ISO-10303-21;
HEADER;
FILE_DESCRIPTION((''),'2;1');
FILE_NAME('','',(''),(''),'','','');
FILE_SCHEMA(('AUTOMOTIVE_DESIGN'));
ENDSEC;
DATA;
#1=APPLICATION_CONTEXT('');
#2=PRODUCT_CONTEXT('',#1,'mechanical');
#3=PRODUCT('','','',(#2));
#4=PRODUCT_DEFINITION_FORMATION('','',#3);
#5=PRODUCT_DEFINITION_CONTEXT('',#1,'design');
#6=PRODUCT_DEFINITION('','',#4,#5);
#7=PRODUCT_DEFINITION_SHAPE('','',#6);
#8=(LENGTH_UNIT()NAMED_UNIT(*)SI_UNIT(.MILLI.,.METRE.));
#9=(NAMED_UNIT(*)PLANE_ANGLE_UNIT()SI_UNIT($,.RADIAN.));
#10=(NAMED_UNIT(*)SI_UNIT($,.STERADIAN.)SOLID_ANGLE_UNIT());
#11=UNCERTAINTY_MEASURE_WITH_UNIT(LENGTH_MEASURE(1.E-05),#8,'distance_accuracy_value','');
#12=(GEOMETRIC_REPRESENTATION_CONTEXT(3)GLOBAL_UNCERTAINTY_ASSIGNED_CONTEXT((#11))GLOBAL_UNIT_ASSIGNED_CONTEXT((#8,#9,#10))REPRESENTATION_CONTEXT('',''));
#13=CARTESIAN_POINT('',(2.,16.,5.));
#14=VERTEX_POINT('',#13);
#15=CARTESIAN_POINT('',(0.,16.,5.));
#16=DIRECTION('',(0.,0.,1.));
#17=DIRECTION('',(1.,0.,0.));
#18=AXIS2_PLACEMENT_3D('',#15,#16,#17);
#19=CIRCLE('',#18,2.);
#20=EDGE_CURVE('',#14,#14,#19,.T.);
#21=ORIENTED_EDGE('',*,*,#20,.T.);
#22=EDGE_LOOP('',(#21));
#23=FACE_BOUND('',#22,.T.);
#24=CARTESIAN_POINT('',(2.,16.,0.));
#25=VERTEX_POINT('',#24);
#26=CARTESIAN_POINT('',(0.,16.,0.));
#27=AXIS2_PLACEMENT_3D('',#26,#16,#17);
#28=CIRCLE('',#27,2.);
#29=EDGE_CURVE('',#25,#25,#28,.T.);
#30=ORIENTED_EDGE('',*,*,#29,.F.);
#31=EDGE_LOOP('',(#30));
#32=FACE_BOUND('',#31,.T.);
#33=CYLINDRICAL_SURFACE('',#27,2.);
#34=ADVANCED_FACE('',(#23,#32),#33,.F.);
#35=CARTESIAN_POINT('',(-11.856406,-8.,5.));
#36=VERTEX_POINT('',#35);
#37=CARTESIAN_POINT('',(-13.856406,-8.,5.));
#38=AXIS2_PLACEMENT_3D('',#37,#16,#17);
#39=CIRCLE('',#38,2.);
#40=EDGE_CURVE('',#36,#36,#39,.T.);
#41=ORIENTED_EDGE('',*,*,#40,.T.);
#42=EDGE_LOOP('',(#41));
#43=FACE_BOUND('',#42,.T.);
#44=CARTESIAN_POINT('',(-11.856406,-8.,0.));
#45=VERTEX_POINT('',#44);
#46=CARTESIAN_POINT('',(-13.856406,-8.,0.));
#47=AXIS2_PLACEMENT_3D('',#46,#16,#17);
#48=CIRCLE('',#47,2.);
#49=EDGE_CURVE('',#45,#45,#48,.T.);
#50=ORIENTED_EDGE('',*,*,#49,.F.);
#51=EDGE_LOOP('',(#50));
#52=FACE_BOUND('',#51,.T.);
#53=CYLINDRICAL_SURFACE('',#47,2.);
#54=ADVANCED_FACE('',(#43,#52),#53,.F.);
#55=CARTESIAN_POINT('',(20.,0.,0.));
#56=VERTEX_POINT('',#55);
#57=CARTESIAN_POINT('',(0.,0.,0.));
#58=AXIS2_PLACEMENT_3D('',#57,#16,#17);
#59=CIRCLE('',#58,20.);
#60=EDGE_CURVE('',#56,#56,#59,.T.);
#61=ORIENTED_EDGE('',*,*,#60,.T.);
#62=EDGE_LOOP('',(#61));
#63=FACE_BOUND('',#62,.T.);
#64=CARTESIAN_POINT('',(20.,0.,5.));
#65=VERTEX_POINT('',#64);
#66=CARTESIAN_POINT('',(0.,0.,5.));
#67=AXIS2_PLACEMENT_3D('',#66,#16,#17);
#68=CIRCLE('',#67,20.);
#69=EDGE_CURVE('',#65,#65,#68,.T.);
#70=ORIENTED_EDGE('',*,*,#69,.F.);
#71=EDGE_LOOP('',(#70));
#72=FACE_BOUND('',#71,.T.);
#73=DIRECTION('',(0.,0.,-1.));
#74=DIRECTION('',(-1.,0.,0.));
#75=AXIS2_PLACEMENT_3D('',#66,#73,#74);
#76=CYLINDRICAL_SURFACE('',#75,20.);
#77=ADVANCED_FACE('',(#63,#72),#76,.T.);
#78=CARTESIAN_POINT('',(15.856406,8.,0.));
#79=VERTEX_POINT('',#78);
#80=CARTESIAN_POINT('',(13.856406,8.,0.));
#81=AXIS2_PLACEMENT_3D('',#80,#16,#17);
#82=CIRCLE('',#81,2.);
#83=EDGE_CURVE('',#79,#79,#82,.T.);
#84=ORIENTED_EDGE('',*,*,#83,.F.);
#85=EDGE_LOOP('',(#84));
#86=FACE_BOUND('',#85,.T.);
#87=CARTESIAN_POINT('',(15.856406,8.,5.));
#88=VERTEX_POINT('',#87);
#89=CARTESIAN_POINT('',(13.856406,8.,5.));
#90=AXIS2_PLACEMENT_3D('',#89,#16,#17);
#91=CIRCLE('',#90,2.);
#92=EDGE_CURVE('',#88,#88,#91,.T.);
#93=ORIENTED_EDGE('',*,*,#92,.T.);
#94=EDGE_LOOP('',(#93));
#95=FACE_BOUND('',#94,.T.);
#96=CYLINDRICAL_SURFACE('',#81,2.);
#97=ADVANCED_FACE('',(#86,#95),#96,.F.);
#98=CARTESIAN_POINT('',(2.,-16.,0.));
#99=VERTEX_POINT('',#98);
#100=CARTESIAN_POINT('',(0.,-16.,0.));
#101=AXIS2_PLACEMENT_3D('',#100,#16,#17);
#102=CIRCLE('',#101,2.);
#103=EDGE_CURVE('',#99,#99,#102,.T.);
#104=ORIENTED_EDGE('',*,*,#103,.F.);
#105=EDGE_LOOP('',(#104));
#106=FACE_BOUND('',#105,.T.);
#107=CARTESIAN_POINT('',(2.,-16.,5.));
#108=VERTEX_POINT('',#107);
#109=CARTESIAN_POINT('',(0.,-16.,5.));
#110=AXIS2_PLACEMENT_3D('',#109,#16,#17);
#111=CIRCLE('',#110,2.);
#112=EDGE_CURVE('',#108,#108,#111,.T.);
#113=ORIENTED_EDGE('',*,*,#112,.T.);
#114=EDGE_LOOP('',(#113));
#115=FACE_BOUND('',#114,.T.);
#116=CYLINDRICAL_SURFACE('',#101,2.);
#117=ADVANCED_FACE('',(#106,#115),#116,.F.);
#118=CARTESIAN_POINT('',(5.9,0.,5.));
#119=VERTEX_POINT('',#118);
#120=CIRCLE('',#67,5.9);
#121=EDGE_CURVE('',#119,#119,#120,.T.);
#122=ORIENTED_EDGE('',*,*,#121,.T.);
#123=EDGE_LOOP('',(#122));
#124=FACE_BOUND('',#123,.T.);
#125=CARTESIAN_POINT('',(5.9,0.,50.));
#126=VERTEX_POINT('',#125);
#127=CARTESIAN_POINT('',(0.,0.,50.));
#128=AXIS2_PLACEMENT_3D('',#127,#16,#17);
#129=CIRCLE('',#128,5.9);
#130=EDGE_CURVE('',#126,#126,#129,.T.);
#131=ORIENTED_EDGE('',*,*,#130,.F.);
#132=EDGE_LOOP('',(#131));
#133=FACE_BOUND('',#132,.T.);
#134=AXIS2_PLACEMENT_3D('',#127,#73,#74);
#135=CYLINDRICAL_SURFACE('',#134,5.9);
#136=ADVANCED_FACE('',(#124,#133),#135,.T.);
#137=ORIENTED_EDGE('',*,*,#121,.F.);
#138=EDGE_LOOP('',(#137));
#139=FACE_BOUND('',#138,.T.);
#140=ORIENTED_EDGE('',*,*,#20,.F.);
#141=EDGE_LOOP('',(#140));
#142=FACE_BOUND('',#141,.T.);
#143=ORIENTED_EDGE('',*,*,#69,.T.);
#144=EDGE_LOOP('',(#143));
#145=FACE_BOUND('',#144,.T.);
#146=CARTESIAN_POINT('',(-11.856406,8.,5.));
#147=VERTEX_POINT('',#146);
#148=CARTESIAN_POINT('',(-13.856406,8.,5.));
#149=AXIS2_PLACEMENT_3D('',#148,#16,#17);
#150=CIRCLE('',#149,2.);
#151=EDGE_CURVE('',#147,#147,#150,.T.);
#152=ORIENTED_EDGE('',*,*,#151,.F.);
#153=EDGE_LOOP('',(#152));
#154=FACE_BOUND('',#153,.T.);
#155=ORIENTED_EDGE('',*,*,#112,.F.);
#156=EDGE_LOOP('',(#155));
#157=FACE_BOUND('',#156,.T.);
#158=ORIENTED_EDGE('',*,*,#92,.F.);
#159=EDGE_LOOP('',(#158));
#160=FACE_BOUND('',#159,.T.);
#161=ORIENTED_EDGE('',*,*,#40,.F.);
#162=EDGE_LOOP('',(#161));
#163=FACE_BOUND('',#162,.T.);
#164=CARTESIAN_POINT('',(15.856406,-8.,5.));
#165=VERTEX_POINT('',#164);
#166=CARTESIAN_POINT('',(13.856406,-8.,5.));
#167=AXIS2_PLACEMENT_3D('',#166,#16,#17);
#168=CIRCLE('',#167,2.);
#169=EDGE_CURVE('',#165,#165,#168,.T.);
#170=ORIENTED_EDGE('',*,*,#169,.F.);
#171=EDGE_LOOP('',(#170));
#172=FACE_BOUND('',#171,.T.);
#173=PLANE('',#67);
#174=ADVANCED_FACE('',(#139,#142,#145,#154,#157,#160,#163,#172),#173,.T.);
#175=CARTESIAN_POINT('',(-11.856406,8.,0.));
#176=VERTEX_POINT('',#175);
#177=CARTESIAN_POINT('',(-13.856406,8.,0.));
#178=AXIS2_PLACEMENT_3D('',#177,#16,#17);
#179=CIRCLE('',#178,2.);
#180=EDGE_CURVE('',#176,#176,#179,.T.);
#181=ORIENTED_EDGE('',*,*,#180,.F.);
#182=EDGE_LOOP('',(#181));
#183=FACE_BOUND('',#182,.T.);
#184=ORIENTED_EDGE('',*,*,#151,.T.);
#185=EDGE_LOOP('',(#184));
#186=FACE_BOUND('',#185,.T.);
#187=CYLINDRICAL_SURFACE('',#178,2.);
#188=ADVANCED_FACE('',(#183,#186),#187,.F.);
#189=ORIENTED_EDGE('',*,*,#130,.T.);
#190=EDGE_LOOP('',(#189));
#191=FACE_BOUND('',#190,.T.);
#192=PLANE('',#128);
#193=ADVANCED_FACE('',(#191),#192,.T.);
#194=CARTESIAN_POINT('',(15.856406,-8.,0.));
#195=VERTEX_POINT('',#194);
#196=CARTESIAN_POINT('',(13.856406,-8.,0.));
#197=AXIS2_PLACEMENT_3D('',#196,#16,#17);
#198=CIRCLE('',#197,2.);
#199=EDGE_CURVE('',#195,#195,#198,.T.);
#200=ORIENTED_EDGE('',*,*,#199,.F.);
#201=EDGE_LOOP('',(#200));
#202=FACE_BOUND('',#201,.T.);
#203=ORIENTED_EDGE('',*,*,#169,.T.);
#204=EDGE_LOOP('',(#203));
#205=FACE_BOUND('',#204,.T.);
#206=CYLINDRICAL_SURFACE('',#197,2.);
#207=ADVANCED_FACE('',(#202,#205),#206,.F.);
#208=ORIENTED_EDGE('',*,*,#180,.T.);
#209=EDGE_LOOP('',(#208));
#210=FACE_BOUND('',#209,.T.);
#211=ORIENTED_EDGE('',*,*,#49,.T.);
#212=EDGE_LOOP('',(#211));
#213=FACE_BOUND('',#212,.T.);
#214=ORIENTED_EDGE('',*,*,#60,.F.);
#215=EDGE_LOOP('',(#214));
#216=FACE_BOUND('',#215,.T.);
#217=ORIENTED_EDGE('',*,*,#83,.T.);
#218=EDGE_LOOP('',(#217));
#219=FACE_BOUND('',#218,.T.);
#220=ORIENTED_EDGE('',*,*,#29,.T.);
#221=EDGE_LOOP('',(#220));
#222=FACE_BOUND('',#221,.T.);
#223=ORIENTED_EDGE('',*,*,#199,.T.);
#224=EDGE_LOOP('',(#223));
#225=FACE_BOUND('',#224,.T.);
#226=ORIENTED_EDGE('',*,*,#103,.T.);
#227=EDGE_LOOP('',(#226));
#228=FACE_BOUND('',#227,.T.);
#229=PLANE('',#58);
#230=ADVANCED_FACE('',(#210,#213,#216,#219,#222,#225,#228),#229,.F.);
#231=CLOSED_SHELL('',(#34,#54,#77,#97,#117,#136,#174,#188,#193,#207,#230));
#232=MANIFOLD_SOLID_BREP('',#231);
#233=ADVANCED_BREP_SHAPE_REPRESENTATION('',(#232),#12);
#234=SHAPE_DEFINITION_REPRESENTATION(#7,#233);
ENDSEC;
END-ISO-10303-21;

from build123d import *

# Parameters (mm, degrees)
SKETCH1_R           = 20
BOSS_EXTRUDE1_DEPTH = 5
SKETCH2_R           = 5.9
BOSS_EXTRUDE2_DEPTH = 45
SKETCH3_R           = 2
CUT_EXTRUDE1_DEPTH  = 5


with BuildPart() as part:
    # Sketch1 → Boss-Extrude1 (new body)
    with BuildSketch(Plane.XY):
        Circle(SKETCH1_R)
    extrude(amount=BOSS_EXTRUDE1_DEPTH)

    # Sketch2 → Boss-Extrude2 (add)
    with BuildSketch(Plane.XY.offset(5)):
        Circle(SKETCH2_R)
    extrude(amount=BOSS_EXTRUDE2_DEPTH)

    # Sketch3 → Cut-Extrude1 (cut)
    with BuildSketch(Plane.XY.offset(5)):
        with Locations((0, 16)):
            Circle(SKETCH3_R)
        with Locations((13.856406461, 8)):
            Circle(SKETCH3_R)
        with Locations((13.856406461, -8)):
            Circle(SKETCH3_R)
        with Locations((0, -16)):
            Circle(SKETCH3_R)
        with Locations((-13.856406461, -8)):
            Circle(SKETCH3_R)
        with Locations((-13.856406461, 8)):
            Circle(SKETCH3_R)
    extrude(amount=-CUT_EXTRUDE1_DEPTH, mode=Mode.SUBTRACT)


solid = part.part
